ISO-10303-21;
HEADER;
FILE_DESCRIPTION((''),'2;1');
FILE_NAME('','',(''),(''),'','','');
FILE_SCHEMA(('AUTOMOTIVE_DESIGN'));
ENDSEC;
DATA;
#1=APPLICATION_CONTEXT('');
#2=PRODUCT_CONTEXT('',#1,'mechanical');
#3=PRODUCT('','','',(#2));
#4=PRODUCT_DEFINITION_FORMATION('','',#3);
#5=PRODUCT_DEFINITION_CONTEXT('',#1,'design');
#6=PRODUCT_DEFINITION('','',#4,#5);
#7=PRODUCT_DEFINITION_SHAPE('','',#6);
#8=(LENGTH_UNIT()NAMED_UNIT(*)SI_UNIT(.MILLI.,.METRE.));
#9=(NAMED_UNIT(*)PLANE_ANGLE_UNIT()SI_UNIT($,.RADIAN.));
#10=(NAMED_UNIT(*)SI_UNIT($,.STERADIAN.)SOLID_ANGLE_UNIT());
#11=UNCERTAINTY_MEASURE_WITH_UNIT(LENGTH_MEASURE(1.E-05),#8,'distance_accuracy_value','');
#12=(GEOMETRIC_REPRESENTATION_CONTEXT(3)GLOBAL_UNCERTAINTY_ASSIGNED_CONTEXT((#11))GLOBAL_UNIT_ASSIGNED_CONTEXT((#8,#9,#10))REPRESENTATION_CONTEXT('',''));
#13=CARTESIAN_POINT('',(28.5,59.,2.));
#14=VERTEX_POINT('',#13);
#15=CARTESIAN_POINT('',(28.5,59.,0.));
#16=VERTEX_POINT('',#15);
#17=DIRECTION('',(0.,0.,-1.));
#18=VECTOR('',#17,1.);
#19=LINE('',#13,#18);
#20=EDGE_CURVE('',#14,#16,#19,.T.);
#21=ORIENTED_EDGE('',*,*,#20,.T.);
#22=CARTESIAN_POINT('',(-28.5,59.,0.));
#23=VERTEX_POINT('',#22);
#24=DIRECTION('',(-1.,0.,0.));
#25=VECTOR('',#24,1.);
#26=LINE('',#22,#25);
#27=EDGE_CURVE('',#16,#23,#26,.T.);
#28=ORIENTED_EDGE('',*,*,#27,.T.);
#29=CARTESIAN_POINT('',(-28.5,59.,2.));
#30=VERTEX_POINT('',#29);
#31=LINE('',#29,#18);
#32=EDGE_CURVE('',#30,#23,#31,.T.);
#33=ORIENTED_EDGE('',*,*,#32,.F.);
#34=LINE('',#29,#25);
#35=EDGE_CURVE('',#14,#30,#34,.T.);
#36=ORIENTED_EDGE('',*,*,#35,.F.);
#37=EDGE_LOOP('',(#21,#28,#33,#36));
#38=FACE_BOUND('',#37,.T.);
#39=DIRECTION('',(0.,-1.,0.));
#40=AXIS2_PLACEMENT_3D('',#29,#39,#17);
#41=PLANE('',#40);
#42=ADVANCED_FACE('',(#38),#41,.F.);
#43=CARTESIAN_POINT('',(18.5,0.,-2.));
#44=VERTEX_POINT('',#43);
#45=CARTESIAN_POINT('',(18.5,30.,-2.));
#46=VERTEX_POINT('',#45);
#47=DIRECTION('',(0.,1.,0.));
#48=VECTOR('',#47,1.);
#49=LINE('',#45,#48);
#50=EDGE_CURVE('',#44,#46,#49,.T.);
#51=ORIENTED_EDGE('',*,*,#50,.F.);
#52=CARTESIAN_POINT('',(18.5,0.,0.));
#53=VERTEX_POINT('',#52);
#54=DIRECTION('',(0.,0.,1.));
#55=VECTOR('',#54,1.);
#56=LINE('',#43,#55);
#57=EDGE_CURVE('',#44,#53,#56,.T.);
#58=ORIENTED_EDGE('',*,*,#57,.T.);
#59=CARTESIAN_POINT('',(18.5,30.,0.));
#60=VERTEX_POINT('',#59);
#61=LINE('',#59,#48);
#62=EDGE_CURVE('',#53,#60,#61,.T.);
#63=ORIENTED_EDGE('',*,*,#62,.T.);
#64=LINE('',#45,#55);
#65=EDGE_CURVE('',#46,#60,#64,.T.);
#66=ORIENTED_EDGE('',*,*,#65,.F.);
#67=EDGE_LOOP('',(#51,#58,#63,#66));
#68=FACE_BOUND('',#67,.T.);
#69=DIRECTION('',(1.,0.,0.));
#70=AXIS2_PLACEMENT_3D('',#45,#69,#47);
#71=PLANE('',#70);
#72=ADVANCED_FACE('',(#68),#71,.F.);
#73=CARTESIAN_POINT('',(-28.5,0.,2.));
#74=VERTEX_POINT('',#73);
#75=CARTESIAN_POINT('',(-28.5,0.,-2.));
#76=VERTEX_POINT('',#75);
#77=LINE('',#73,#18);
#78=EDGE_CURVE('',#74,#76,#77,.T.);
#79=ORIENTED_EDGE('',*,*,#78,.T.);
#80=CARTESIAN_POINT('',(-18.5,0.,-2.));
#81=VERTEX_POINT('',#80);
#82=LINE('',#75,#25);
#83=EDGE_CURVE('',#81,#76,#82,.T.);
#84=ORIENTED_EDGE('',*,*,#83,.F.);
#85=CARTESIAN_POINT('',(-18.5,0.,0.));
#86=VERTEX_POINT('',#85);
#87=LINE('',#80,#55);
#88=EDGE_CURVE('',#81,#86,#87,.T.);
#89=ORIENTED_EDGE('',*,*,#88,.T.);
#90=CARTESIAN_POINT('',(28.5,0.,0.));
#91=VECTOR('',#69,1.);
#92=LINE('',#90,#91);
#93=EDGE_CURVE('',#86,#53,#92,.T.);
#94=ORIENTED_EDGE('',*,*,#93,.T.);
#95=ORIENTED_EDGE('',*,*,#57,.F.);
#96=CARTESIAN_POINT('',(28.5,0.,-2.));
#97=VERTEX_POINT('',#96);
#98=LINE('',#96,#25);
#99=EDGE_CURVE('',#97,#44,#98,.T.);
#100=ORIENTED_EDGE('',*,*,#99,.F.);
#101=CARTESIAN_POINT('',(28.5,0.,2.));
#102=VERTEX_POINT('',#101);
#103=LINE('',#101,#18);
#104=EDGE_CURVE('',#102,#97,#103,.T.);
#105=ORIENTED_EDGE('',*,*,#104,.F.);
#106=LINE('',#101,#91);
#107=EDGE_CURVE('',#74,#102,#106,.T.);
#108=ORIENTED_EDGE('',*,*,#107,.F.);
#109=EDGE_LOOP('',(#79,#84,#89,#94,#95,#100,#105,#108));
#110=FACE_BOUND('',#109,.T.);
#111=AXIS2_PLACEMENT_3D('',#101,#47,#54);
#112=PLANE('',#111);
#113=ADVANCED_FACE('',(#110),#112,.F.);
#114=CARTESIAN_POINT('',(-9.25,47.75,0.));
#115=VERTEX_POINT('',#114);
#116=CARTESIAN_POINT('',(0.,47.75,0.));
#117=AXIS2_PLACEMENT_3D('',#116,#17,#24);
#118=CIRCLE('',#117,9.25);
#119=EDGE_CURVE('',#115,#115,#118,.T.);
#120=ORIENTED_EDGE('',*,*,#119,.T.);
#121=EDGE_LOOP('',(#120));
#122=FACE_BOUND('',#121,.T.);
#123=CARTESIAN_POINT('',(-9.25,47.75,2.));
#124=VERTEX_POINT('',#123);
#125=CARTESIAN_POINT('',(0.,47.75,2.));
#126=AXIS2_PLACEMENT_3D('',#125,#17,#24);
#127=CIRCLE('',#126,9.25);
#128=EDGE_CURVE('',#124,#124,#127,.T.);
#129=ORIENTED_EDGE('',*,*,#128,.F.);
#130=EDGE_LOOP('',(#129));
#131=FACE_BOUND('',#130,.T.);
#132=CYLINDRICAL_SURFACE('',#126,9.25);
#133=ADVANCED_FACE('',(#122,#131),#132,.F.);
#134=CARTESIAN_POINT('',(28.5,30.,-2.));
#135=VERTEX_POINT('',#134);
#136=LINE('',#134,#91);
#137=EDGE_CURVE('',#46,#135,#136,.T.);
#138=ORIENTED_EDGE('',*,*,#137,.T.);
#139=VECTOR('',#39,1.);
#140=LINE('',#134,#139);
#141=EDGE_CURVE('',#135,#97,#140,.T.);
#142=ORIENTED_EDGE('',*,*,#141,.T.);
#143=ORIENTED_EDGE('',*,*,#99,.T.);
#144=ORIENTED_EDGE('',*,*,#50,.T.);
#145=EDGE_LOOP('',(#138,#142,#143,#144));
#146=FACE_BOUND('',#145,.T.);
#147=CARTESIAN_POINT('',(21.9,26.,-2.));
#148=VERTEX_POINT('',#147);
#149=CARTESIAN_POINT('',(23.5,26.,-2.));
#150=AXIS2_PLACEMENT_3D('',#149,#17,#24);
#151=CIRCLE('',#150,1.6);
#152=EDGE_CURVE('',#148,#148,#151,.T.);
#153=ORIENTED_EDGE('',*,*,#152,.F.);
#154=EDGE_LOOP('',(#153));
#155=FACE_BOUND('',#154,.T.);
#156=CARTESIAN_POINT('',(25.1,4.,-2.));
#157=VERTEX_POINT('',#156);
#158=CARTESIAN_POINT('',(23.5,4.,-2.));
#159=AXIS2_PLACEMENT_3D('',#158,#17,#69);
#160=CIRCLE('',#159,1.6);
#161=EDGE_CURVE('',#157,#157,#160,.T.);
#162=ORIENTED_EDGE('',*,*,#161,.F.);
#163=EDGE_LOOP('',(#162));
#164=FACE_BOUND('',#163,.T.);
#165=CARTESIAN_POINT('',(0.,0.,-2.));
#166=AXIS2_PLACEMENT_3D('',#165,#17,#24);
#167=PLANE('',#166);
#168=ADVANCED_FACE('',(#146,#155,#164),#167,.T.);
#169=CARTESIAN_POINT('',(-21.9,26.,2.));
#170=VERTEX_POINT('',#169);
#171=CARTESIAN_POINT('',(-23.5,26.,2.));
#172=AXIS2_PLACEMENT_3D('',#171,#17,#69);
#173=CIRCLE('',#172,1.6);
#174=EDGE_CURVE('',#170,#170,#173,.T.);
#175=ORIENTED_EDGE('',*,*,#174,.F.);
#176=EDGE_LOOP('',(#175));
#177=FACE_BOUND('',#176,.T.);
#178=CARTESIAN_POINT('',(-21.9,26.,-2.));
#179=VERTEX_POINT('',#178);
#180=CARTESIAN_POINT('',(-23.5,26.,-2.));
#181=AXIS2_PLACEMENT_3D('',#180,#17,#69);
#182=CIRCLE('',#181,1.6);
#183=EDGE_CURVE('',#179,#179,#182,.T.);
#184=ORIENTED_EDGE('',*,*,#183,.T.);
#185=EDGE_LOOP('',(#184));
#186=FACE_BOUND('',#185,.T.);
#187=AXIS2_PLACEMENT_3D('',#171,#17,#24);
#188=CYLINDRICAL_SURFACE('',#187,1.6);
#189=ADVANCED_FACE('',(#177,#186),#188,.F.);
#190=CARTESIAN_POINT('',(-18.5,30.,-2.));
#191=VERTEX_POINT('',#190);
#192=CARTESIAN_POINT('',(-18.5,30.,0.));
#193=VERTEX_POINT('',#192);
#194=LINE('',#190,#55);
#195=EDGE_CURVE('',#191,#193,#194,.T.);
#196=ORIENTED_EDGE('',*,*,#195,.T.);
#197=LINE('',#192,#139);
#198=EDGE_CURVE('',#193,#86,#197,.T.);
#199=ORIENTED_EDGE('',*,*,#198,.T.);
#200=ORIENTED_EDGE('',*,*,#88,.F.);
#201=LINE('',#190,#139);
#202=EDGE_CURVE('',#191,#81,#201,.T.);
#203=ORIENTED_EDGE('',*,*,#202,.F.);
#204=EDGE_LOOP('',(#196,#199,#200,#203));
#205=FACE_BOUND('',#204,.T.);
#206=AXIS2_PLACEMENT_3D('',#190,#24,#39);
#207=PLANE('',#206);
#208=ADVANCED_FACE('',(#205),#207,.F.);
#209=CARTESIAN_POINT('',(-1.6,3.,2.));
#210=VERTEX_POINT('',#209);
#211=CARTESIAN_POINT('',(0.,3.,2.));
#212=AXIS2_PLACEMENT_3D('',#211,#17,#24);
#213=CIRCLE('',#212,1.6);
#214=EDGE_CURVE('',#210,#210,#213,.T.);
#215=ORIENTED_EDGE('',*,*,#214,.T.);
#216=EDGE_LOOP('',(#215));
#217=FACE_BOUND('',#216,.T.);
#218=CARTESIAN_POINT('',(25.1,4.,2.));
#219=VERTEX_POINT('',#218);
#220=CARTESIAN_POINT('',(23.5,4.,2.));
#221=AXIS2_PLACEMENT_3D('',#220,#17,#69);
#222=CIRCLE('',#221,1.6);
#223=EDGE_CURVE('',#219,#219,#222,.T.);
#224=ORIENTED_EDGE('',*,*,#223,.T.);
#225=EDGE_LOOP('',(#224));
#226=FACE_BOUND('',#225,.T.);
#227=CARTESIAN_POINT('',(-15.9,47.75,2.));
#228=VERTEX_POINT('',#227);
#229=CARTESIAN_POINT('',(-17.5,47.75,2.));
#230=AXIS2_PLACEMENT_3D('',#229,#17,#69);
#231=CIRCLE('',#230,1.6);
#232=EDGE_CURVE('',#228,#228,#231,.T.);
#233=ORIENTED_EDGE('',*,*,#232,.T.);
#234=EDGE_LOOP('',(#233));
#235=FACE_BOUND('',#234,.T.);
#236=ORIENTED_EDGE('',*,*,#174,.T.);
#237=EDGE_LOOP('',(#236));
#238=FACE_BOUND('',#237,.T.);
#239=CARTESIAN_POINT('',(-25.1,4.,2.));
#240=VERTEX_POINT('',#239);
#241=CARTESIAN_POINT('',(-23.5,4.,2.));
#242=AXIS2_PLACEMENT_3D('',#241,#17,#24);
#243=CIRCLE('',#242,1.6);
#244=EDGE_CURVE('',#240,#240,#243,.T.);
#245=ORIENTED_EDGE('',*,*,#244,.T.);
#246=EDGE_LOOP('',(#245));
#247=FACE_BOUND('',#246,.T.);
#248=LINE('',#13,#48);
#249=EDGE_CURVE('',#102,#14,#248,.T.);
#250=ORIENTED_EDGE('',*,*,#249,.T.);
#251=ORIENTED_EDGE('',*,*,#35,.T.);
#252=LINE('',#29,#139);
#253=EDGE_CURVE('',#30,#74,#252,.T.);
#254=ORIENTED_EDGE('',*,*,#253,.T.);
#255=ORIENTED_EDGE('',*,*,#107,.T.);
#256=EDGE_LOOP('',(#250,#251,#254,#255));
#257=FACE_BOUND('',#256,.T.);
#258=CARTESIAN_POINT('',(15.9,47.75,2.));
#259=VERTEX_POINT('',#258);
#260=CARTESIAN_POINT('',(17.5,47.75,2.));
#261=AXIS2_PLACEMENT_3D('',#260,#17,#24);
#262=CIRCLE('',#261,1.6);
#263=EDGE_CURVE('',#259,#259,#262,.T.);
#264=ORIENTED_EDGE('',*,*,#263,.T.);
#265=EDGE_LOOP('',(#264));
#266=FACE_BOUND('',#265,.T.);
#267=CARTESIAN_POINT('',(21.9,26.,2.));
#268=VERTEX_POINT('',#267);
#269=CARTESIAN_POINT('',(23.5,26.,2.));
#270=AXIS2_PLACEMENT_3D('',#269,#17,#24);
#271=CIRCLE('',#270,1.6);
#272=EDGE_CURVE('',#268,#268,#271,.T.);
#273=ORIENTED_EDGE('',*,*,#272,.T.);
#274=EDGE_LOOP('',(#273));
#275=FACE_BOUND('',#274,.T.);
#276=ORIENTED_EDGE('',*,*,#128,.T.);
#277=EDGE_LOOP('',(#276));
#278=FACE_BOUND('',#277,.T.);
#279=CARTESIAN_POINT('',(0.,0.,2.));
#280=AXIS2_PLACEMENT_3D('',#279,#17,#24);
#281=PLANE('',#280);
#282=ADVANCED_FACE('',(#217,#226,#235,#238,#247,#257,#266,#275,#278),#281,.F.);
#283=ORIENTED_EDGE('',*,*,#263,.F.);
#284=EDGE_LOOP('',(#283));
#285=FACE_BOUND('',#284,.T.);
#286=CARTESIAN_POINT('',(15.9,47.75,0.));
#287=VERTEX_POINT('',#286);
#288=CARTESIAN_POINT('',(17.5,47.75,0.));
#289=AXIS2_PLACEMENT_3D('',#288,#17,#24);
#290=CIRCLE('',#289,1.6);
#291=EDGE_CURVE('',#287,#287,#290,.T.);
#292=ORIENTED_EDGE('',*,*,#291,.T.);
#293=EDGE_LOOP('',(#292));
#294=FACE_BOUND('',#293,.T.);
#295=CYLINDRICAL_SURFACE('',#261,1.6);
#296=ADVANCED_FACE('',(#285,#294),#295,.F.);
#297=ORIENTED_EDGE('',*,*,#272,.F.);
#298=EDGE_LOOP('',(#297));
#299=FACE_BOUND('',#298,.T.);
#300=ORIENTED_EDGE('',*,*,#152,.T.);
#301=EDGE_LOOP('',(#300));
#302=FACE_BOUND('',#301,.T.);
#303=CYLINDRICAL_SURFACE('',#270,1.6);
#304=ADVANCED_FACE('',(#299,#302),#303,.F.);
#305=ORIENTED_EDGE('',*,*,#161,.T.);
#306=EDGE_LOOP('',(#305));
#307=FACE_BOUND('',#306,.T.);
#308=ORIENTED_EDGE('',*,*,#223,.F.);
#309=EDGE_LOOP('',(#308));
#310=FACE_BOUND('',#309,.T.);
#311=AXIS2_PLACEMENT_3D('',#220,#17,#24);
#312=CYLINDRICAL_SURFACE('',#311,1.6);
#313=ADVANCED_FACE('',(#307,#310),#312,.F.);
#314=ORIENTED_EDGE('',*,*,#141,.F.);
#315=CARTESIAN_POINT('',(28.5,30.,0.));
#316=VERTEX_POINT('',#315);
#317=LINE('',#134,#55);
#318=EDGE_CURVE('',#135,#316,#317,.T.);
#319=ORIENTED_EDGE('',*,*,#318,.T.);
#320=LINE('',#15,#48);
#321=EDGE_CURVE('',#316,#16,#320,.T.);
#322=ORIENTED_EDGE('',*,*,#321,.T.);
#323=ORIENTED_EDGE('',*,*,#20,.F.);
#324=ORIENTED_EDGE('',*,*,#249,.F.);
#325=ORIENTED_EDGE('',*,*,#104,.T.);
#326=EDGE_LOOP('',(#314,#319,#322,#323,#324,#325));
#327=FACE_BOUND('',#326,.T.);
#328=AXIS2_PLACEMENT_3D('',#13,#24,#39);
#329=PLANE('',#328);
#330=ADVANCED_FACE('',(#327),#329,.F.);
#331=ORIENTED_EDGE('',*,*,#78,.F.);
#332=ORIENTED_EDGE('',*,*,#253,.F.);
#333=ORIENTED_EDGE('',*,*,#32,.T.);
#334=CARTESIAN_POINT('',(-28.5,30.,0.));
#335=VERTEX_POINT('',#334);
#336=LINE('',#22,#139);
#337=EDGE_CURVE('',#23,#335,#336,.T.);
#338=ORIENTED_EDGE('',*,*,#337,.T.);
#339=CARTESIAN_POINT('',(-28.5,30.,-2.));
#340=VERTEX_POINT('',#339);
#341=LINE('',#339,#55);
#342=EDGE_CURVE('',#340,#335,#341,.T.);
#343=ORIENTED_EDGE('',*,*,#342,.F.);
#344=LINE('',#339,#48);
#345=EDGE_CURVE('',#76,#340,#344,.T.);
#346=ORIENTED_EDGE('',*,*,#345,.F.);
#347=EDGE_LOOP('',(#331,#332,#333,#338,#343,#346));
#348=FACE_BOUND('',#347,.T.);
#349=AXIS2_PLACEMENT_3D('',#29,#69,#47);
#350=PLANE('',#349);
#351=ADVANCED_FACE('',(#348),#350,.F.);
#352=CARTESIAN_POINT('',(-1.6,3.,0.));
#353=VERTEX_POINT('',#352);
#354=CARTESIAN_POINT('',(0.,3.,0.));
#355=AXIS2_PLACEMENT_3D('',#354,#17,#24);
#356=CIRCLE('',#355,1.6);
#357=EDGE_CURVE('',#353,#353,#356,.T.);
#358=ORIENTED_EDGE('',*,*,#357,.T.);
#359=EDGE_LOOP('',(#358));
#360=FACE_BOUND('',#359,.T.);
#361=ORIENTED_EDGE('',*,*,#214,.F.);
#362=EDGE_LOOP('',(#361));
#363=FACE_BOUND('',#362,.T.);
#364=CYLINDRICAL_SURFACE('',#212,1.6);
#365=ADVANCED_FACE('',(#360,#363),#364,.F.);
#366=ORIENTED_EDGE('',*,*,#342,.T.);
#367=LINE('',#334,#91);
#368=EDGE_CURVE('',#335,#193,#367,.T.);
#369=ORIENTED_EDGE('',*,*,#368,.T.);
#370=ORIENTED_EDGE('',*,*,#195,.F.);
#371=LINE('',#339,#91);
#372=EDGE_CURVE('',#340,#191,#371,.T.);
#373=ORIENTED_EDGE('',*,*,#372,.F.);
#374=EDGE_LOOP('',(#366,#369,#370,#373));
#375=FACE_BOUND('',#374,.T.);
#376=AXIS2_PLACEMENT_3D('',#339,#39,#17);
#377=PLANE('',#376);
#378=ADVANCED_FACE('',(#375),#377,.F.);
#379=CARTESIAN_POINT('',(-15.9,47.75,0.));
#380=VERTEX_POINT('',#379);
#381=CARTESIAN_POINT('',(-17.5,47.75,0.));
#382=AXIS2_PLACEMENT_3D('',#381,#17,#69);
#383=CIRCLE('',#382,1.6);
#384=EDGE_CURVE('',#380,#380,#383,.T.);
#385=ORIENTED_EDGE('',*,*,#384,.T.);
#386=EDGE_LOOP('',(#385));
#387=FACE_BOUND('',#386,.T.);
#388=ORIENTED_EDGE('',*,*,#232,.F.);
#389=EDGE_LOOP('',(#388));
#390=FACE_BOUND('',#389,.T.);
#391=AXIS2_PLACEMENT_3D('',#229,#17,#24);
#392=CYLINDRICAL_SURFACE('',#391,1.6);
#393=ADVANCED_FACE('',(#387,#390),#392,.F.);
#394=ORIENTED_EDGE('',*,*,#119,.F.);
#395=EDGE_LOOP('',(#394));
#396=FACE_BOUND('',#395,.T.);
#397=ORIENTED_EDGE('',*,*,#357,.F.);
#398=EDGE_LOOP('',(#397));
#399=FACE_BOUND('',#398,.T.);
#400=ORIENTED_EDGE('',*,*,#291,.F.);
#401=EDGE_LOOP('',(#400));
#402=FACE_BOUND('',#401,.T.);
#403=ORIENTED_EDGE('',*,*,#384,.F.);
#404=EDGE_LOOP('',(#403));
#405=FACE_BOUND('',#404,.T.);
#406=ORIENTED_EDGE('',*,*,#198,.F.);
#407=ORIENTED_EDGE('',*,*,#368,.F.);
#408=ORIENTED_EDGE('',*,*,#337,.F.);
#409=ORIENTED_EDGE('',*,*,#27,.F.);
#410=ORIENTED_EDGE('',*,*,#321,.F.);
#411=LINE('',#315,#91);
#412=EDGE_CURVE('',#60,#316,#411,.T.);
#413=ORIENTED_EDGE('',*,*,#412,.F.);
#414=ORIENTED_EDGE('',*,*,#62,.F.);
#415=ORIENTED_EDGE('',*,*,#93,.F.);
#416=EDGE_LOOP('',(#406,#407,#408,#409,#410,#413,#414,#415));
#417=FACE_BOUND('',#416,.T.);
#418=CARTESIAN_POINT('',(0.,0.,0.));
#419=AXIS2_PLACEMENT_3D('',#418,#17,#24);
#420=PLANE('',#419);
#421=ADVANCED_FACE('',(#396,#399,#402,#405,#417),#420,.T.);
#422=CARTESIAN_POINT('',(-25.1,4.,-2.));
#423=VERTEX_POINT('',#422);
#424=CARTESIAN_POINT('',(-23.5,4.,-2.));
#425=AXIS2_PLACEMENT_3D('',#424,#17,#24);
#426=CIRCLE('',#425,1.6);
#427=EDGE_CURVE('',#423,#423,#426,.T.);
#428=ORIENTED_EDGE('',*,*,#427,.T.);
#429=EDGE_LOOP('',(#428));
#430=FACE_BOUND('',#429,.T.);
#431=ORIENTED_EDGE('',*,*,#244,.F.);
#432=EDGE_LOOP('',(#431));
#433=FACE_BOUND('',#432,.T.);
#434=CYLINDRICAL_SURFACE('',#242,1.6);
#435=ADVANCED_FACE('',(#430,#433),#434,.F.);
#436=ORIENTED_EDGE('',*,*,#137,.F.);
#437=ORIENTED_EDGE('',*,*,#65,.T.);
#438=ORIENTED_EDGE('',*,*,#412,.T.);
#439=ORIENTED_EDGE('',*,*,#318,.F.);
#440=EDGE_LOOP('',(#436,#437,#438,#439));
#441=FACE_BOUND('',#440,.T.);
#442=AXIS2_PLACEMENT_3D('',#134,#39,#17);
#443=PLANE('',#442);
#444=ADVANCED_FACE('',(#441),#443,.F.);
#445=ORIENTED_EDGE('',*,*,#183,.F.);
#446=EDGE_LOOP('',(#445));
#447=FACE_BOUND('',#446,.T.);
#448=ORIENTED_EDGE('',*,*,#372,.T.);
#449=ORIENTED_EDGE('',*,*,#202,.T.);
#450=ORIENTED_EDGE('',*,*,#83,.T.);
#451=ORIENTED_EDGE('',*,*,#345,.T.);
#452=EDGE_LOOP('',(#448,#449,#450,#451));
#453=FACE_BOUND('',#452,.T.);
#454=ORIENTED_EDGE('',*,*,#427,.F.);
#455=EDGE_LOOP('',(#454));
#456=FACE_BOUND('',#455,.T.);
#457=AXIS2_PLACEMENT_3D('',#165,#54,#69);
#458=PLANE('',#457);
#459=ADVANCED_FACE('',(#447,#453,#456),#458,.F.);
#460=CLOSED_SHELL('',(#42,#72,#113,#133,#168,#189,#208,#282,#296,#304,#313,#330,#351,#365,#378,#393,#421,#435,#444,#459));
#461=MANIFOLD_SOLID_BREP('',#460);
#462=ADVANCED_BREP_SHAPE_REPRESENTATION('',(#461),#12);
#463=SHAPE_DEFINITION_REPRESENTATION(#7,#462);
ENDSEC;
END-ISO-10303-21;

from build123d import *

# Parameters (mm, degrees)
SKIZZE1_W                      = 57
SKIZZE1_H                      = 59
GRUNDK_RPER_DEPTH              = 2
SKIZZE2_R                      = 9.25
SKIZZE2_R_2                    = 1.6
BOHRUNGEN_KUGELROLLER_DEPTH    = 66.553413336
SKIZZE3_W                      = 10
SKIZZE3_H                      = 30
AUFSATZ_GETRIEBEHALTER_DEPTH   = 2
SKIZZE4_R                      = 1.6
BOHRUNGEN_GETRIEBEHALTER_DEPTH = 66.644877942
SKIZZE5_R                      = 1.6
BOHRUNG_HALTERUNG_DEPTH        = 66.553413336


with BuildPart() as part:
    # Skizze1 → Grundkörper (new body)
    with BuildSketch(Plane.XY):
        with Locations((0, 29.5)):
            Rectangle(SKIZZE1_W, SKIZZE1_H)
    extrude(amount=GRUNDK_RPER_DEPTH)

    # Skizze2 → Bohrungen_Kugelroller (cut, through all)
    with BuildSketch(Plane(origin=(0, 0, 0), x_dir=(-1, 0, 0), z_dir=(0, 0, -1))):
        with Locations((0, 47.75)):
            Circle(SKIZZE2_R)
        with Locations((-17.5, 47.75)):
            Circle(SKIZZE2_R_2)
        with Locations(Location((17.5, 47.75, 0), (0, 0, 180))):
            Circle(SKIZZE2_R_2)
    extrude(amount=-BOHRUNGEN_KUGELROLLER_DEPTH, mode=Mode.SUBTRACT)

    # Skizze3 → Aufsatz_Getriebehalter (add)
    with BuildSketch(Plane(origin=(0, 0, 0), x_dir=(-1, 0, 0), z_dir=(0, 0, -1))):
        with Locations((-23.5, 15)):
            Rectangle(SKIZZE3_W, SKIZZE3_H)
        with Locations((23.5, 15)):
            Rectangle(SKIZZE3_W, SKIZZE3_H)
    extrude(amount=AUFSATZ_GETRIEBEHALTER_DEPTH)

    # Skizze4 → Bohrungen_Getriebehalter (cut, through all)
    with BuildSketch(Plane(origin=(0, 0, -2), x_dir=(-1, 0, 0), z_dir=(0, 0, -1))):
        with Locations((-23.5, 26)):
            Circle(SKIZZE4_R)
        with Locations(Location((23.5, 26, 0), (0, 0, 180))):
            Circle(SKIZZE4_R)
        with Locations((23.5, 4)):
            Circle(SKIZZE4_R)
        with Locations(Location((-23.5, 4, 0), (0, 0, 180))):
            Circle(SKIZZE4_R)
    extrude(amount=-BOHRUNGEN_GETRIEBEHALTER_DEPTH, mode=Mode.SUBTRACT)

    # Skizze5 → Bohrung_Halterung (cut, through all)
    with BuildSketch(Plane(origin=(0, 0, 0), x_dir=(-1, 0, 0), z_dir=(0, 0, -1))):
        with Locations((0, 3)):
            Circle(SKIZZE5_R)
    extrude(amount=-BOHRUNG_HALTERUNG_DEPTH, mode=Mode.SUBTRACT)


solid = part.part
